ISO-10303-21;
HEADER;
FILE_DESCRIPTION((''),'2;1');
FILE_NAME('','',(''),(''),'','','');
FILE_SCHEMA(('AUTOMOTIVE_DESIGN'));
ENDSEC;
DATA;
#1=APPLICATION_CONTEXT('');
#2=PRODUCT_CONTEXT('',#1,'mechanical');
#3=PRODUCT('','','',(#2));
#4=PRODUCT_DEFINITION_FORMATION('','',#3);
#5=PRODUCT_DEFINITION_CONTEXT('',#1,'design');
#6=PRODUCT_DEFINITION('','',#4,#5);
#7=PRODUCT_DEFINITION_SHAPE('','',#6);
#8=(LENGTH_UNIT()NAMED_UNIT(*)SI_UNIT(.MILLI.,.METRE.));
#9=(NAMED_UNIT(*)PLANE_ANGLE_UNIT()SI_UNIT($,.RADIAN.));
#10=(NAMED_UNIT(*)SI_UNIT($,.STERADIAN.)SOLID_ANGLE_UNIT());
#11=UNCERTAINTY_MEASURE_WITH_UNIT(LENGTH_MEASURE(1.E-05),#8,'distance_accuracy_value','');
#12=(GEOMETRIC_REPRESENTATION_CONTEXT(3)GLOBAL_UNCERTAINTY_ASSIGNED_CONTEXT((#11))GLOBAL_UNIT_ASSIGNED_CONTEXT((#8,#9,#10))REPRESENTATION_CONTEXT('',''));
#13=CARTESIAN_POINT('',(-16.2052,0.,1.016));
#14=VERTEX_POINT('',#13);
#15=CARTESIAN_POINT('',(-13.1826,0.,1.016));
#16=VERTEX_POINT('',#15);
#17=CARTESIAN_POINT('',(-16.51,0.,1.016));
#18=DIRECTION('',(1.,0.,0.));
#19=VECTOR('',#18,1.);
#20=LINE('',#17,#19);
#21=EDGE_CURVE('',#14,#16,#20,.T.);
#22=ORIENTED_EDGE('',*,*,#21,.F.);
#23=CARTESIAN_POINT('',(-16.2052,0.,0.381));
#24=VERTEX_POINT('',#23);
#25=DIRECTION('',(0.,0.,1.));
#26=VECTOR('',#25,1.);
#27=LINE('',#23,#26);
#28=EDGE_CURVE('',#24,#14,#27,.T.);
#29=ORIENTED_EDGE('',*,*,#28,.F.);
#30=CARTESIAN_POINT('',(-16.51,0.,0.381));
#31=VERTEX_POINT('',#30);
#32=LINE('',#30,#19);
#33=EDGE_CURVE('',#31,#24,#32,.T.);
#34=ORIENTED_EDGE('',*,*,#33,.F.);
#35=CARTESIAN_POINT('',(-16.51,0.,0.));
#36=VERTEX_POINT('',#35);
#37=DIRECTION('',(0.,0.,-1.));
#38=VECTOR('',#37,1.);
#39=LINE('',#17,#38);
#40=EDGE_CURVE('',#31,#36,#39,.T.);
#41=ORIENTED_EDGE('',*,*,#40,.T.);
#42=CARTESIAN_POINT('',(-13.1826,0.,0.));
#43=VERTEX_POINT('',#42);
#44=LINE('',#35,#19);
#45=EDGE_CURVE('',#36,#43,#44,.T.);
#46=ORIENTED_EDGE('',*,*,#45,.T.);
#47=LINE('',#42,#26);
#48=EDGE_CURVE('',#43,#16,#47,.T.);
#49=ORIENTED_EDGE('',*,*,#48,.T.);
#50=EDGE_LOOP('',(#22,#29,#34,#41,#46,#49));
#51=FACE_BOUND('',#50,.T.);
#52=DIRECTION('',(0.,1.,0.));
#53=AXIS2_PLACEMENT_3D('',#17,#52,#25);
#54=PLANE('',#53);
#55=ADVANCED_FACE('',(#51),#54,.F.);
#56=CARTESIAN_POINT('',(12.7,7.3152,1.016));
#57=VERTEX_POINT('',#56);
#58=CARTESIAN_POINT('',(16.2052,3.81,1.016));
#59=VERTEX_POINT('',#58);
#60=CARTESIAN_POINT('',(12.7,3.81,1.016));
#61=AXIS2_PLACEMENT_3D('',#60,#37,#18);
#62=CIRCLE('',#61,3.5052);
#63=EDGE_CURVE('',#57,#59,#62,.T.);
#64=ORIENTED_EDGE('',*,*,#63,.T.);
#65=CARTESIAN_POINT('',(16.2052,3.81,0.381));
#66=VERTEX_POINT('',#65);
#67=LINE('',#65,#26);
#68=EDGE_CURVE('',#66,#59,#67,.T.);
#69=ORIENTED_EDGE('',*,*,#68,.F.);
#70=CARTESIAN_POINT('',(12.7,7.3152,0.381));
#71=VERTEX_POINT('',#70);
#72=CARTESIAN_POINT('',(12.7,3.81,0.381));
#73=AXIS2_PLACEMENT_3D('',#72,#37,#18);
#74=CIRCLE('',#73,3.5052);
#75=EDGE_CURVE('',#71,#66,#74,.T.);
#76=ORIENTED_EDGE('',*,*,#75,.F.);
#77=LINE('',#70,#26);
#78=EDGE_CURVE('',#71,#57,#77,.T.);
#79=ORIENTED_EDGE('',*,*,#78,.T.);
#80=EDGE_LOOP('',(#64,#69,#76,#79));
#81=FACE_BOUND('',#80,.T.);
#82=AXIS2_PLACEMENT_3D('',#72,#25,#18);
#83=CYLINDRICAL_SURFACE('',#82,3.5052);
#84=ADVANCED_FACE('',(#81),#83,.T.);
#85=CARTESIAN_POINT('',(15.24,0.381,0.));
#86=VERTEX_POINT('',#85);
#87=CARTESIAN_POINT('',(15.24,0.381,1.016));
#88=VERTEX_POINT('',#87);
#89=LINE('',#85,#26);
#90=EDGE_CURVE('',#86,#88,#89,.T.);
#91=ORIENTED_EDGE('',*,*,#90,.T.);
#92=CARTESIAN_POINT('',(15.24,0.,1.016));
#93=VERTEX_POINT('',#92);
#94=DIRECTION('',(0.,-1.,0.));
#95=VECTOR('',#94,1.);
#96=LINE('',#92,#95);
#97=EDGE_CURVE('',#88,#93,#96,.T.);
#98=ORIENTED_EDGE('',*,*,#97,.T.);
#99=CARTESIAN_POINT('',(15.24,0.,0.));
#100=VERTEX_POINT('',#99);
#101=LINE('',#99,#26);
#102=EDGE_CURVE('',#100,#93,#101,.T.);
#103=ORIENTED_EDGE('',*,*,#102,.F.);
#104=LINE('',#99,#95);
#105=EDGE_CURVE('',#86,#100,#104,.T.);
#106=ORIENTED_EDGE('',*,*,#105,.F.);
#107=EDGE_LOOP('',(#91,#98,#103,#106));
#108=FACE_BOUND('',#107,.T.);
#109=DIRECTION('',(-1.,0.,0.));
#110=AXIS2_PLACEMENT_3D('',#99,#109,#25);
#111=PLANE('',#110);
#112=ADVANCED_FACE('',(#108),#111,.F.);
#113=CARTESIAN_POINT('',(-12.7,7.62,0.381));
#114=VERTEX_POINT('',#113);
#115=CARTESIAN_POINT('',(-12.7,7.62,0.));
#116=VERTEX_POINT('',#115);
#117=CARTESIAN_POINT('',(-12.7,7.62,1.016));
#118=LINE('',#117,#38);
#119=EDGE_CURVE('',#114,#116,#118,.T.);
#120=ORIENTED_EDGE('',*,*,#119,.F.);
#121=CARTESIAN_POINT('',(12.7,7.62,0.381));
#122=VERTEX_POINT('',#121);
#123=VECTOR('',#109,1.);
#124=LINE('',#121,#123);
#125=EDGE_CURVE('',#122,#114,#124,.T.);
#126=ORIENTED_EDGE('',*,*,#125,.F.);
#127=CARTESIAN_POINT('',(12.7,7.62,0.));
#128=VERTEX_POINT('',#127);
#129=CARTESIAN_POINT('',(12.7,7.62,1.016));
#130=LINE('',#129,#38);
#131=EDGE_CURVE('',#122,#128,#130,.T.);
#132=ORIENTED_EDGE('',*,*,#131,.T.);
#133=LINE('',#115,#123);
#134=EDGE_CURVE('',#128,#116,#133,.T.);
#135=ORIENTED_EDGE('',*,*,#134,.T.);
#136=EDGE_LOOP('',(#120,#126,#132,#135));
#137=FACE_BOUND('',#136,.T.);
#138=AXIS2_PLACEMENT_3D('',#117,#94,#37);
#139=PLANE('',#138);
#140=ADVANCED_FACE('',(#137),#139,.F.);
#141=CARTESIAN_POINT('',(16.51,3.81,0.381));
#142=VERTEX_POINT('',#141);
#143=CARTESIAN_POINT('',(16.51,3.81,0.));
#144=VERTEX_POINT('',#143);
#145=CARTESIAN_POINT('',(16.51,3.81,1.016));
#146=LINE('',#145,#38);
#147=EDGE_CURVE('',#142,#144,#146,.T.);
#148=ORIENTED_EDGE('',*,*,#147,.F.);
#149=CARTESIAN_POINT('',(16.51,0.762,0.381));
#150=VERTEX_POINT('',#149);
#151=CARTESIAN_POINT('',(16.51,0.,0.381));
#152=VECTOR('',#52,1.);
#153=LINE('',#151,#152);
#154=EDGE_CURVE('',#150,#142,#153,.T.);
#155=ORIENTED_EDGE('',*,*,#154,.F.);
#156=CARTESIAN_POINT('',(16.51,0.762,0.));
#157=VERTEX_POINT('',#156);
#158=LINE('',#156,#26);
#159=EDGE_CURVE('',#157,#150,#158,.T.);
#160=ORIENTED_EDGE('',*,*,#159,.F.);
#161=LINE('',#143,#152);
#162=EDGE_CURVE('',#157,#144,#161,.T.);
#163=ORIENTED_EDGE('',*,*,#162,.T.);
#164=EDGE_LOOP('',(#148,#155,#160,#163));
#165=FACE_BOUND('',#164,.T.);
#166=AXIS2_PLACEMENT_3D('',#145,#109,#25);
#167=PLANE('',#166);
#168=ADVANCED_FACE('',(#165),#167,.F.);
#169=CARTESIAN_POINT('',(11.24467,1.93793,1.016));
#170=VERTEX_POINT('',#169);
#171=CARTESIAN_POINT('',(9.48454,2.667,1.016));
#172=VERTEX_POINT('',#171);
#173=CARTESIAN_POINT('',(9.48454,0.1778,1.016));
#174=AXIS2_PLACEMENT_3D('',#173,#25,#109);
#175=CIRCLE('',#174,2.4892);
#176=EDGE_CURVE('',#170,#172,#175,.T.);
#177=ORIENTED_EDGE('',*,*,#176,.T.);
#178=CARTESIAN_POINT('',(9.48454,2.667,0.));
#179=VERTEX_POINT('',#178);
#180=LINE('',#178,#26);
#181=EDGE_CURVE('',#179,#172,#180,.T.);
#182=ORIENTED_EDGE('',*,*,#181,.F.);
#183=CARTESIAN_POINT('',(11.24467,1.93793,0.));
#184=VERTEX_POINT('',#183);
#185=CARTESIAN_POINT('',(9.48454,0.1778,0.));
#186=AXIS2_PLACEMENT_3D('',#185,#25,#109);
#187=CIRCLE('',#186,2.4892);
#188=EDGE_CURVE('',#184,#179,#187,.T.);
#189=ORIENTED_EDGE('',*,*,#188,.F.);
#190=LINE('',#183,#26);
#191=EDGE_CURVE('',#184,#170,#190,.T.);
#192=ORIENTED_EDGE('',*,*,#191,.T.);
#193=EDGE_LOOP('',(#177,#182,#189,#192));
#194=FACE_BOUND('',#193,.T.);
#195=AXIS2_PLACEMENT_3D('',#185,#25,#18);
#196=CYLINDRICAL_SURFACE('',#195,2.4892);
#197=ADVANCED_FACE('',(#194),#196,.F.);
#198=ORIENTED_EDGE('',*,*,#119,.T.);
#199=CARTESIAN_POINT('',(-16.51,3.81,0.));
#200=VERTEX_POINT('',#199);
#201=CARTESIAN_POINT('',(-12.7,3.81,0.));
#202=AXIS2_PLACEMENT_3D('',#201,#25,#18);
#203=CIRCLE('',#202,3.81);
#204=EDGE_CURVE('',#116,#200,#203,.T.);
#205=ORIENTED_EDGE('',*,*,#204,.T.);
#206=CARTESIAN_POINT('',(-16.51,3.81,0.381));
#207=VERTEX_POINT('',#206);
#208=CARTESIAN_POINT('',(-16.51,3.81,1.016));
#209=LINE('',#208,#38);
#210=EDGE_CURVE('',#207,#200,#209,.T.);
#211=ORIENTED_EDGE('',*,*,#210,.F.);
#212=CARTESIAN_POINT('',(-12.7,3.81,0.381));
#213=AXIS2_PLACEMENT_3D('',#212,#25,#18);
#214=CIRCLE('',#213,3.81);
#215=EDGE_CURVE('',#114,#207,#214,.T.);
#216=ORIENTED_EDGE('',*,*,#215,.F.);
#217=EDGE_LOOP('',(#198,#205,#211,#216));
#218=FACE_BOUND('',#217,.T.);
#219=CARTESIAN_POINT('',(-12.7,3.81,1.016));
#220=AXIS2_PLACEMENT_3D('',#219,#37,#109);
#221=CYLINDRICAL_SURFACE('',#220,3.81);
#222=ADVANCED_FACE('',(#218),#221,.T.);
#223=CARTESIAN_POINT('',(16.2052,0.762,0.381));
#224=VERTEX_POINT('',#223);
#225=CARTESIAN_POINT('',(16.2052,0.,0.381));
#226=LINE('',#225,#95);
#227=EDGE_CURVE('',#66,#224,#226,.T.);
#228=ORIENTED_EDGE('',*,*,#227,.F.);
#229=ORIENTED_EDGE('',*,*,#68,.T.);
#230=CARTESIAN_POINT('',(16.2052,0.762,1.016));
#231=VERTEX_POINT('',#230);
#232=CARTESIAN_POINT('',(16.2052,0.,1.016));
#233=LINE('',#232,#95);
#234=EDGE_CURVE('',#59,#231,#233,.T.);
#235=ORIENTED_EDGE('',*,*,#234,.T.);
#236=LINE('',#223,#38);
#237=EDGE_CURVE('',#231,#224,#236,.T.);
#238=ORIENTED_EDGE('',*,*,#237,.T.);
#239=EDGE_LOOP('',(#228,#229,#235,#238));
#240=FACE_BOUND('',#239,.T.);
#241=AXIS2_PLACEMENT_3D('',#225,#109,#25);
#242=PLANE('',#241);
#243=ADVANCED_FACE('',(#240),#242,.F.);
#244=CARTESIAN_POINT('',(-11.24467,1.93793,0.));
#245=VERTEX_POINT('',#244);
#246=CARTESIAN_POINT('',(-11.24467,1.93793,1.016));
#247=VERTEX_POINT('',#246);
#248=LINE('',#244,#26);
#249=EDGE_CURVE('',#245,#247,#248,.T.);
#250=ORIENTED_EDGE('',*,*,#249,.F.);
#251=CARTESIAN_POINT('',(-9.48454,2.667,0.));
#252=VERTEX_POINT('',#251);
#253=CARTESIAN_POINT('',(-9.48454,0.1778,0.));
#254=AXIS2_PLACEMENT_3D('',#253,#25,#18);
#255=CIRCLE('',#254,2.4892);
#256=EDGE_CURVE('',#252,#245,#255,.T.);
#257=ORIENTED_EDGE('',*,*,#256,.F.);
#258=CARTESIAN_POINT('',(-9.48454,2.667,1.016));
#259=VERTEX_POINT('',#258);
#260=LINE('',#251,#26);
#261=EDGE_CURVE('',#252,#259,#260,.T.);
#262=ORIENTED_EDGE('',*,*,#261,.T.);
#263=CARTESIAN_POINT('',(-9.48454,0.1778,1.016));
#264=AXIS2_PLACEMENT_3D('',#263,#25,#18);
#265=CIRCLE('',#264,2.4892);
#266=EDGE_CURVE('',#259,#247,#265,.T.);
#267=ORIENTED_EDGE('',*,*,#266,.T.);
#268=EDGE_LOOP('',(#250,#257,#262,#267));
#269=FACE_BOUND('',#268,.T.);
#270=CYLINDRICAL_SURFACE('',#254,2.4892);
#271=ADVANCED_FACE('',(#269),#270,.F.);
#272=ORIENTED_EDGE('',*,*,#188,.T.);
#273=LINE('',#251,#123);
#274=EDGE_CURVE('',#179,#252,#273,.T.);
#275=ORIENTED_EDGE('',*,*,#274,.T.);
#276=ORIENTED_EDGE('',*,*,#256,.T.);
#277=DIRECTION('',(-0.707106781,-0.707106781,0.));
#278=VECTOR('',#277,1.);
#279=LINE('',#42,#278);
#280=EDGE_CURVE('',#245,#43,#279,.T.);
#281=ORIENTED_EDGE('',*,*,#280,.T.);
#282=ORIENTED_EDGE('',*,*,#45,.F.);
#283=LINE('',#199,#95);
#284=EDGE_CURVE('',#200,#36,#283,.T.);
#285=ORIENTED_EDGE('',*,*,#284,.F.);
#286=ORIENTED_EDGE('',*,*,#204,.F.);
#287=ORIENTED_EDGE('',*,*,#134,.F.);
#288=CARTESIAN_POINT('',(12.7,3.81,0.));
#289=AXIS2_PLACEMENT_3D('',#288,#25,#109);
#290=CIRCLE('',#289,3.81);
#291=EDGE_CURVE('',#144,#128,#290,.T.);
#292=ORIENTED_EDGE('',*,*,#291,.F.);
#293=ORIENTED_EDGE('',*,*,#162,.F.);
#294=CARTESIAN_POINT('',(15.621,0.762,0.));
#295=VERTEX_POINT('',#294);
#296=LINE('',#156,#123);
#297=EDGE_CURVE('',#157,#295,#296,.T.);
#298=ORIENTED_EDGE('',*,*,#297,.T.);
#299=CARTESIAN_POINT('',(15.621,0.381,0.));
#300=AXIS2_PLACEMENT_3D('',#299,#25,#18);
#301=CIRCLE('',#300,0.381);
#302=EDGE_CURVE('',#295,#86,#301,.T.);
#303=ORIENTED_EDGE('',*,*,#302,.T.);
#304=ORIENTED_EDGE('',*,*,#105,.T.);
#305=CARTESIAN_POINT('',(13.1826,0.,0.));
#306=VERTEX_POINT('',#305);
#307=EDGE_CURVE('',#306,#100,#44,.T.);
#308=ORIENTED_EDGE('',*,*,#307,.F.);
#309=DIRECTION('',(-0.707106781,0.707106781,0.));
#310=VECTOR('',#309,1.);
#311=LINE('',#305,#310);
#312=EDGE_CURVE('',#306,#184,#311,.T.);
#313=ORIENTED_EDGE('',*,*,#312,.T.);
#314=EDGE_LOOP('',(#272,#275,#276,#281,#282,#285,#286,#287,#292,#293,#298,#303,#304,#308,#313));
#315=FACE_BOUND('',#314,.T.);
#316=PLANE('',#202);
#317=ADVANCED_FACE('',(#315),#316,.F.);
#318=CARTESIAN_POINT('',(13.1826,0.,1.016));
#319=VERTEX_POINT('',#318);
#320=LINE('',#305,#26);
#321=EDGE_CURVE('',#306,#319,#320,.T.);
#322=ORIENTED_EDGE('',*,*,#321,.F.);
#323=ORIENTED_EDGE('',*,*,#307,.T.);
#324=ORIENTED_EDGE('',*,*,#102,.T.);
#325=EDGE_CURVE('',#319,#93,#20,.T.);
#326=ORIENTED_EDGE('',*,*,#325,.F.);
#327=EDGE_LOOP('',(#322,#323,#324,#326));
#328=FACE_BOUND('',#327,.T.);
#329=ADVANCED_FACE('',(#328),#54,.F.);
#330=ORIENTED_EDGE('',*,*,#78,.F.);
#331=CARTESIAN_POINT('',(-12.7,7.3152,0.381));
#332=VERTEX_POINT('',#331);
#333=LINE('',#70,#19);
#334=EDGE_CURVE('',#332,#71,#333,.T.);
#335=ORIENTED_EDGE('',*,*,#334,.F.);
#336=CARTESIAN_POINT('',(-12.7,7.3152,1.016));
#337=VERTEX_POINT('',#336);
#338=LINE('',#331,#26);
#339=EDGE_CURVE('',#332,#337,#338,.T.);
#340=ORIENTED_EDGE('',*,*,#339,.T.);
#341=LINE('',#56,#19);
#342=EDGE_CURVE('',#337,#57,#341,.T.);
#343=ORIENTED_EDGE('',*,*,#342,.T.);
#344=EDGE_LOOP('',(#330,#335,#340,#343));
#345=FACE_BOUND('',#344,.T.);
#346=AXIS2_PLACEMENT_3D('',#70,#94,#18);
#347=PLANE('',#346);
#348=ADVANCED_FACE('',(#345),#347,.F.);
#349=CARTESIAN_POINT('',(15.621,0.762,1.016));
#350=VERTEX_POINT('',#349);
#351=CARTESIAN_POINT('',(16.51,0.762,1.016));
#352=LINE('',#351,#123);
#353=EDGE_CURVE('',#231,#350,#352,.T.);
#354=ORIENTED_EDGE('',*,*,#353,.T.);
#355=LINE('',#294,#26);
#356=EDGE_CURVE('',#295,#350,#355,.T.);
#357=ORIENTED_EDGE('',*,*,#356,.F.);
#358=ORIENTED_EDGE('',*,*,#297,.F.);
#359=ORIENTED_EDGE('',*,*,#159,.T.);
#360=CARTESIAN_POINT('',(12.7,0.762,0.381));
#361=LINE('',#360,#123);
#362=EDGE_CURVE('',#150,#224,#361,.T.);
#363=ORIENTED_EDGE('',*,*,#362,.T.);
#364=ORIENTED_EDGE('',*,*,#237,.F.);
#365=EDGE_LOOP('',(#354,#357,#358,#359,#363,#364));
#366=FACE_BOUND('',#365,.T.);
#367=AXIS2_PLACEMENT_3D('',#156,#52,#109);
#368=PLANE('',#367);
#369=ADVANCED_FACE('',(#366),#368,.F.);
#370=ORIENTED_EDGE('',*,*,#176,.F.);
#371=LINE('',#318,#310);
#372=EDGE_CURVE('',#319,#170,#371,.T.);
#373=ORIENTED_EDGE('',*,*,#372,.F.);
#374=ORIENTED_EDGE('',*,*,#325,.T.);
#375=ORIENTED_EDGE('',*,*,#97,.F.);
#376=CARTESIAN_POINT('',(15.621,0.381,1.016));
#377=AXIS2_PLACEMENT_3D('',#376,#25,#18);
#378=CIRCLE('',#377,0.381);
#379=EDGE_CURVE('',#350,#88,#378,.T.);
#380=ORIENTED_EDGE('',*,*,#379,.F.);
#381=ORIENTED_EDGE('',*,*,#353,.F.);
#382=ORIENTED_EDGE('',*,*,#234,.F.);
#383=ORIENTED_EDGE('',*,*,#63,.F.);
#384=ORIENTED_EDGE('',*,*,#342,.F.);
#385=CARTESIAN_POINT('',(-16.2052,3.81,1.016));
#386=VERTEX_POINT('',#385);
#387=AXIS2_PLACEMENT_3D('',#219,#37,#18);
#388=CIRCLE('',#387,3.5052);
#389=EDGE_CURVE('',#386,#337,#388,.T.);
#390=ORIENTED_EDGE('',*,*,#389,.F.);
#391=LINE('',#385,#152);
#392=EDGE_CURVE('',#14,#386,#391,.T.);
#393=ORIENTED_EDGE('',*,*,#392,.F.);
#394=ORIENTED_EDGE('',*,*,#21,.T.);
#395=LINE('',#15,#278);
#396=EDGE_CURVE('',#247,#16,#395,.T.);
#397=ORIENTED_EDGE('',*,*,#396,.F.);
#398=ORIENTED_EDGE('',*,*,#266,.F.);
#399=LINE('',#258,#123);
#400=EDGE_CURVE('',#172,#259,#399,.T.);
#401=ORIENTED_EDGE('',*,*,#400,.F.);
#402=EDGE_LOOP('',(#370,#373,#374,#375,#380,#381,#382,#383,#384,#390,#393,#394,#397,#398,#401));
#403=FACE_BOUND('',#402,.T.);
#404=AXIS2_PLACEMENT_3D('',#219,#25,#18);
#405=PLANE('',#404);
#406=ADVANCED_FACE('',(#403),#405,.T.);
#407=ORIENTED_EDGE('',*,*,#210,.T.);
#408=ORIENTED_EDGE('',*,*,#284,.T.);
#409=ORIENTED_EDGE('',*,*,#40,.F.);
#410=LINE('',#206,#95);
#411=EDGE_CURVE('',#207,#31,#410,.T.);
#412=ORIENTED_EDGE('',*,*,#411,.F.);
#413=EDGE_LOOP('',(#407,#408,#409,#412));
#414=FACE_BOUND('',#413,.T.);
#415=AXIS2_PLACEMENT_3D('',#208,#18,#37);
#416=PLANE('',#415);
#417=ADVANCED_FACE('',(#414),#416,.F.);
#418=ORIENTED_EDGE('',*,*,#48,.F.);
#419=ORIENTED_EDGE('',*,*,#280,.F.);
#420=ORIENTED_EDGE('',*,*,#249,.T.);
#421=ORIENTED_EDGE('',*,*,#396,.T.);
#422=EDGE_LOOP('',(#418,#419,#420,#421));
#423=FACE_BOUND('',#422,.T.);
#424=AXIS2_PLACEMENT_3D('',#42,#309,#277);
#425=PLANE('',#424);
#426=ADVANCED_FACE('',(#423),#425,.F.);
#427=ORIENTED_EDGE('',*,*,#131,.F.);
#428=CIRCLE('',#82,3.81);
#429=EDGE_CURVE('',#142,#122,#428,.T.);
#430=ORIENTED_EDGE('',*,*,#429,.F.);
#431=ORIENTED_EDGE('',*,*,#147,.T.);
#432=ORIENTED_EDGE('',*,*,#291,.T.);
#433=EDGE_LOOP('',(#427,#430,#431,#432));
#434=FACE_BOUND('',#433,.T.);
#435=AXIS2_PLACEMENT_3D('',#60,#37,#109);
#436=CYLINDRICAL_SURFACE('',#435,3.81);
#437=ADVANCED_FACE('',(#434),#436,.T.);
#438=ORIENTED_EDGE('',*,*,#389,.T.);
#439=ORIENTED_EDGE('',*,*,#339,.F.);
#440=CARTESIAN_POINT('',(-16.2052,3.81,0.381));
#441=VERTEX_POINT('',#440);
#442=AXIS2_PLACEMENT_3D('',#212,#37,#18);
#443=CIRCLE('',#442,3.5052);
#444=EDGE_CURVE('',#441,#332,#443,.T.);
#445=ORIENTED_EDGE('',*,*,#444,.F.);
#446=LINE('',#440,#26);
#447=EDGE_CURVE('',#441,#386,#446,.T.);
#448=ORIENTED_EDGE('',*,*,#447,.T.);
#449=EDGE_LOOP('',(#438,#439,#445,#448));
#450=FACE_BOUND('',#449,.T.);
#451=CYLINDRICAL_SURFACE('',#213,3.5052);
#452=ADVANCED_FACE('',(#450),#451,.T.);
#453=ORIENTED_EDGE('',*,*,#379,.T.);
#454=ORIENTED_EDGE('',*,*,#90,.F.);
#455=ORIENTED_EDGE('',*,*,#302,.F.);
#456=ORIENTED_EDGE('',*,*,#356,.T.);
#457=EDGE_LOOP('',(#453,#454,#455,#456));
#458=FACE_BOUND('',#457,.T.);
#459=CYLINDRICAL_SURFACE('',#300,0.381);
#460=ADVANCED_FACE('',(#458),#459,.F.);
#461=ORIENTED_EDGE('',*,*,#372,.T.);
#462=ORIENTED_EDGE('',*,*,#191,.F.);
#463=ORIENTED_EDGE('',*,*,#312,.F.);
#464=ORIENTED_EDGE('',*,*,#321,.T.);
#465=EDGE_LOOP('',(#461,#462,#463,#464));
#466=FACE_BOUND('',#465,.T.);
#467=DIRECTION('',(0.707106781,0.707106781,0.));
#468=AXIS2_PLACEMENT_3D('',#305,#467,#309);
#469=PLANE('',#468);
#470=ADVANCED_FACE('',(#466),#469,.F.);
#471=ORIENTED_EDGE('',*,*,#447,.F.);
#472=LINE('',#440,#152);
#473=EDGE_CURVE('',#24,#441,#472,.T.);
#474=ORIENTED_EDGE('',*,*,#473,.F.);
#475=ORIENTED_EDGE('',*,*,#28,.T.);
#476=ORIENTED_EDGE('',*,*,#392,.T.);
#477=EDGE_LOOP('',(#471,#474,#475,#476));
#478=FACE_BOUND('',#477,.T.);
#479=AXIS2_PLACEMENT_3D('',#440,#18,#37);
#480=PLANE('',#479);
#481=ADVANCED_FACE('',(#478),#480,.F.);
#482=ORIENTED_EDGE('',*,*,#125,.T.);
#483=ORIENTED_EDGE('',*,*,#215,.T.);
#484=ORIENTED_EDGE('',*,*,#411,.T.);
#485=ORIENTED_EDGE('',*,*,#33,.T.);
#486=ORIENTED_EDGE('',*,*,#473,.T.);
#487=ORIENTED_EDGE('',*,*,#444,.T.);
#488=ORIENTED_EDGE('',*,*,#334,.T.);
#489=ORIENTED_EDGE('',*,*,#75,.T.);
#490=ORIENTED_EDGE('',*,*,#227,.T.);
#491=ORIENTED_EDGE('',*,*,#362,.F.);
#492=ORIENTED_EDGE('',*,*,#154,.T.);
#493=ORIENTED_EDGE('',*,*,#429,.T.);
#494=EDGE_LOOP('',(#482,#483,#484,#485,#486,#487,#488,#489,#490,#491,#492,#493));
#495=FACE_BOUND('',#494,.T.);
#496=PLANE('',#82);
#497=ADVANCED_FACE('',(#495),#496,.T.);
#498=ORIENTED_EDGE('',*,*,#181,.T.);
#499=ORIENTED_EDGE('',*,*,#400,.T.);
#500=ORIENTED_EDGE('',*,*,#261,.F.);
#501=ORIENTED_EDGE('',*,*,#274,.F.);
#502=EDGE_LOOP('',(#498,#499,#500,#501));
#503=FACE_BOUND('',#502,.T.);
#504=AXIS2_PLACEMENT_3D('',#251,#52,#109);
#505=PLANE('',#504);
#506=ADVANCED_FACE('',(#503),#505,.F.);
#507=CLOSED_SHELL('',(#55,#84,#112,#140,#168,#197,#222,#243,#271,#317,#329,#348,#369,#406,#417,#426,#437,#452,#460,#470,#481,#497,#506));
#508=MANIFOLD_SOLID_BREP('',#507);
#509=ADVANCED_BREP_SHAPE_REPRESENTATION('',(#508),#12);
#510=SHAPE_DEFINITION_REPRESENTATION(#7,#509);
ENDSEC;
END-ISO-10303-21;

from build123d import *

# Parameters (mm, degrees)
BOSS_EXTRUDE1_DEPTH = 1.016
CUT_EXTRUDE1_START  = -0.635
CUT_EXTRUDE1_DEPTH  = 0.635
CUT_EXTRUDE2_DEPTH  = 19.211994839
CUT_EXTRUDE3_DEPTH  = 19.211994839


with BuildPart() as part:
    # Sketch1 → Boss-Extrude1 (new body)
    with BuildSketch(Plane.XY):
        with BuildLine():
            Line((-12.7, 7.62), (12.7, 7.62))
            ThreePointArc((12.7, 7.62), (15.394076836, 6.504076836), (16.51, 3.81))
            Line((16.51, 3.81), (16.51, 0))
            Line((16.51, 0), (-16.51, 0))
            Line((-16.51, 0), (-16.51, 3.81))
            ThreePointArc((-16.51, 3.81), (-15.394076836, 6.504076836), (-12.7, 7.62))
        make_face()
    extrude(amount=BOSS_EXTRUDE1_DEPTH)

    # Sketch2 → Cut-Extrude1 (cut)
    with BuildSketch(Plane.XY.offset(1.016).offset(CUT_EXTRUDE1_START)):
        with BuildLine():
            Line((16.2052, 0), (16.51, 0))
            Line((16.51, 0), (16.51, 3.81))
            ThreePointArc((16.51, 3.81), (15.394076836, 6.504076836), (12.7, 7.62))
            Line((12.7, 7.62), (-12.7, 7.62))
            ThreePointArc((-12.7, 7.62), (-15.394076836, 6.504076836), (-16.51, 3.81))
            Line((-16.51, 3.81), (-16.51, 0))
            Line((-16.51, 0), (-16.2052, 0))
            Line((-16.2052, 0), (-16.2052, 3.81))
            ThreePointArc((-16.2052, 3.81), (-15.178550689, 6.288550689), (-12.7, 7.3152))
            Line((-12.7, 7.3152), (12.7, 7.3152))
            ThreePointArc((12.7, 7.3152), (15.178550689, 6.288550689), (16.2052, 3.81))
            Line((16.2052, 3.81), (16.2052, 0))
        make_face()
    extrude(amount=CUT_EXTRUDE1_DEPTH, mode=Mode.SUBTRACT)

    # Sketch3 → Cut-Extrude2 (cut, through all)
    with BuildSketch(Plane.XY.offset(1.016)):
        with BuildLine():
            Line((-13.1826, 0), (-11.2446698, 1.9379302))
            ThreePointArc((-11.2446698, 1.9379302), (-10.4371152, 2.477520932), (-9.484539601, 2.667))
            Line((-9.484539601, 2.667), (9.484539601, 2.667))
            ThreePointArc((9.484539601, 2.667), (10.4371152, 2.477520932), (11.2446698, 1.9379302))
            Line((11.2446698, 1.9379302), (13.1826, 0))
            Line((13.1826, 0), (-13.1826, 0))
        make_face()
    extrude(amount=-CUT_EXTRUDE2_DEPTH, mode=Mode.SUBTRACT)

    # Sketch4 → Cut-Extrude3 (cut, through all)
    with BuildSketch(Plane.XY.offset(1.016)):
        with BuildLine():
            Line((16.51, 0), (15.24, 0))
            Line((15.24, 0), (15.24, 0.381))
            ThreePointArc((15.24, 0.381), (15.351592316, 0.650407684), (15.621, 0.762))
            Line((15.621, 0.762), (16.51, 0.762))
            Line((16.51, 0.762), (16.51, 0))
        make_face()
    extrude(amount=-CUT_EXTRUDE3_DEPTH, mode=Mode.SUBTRACT)


solid = part.part
